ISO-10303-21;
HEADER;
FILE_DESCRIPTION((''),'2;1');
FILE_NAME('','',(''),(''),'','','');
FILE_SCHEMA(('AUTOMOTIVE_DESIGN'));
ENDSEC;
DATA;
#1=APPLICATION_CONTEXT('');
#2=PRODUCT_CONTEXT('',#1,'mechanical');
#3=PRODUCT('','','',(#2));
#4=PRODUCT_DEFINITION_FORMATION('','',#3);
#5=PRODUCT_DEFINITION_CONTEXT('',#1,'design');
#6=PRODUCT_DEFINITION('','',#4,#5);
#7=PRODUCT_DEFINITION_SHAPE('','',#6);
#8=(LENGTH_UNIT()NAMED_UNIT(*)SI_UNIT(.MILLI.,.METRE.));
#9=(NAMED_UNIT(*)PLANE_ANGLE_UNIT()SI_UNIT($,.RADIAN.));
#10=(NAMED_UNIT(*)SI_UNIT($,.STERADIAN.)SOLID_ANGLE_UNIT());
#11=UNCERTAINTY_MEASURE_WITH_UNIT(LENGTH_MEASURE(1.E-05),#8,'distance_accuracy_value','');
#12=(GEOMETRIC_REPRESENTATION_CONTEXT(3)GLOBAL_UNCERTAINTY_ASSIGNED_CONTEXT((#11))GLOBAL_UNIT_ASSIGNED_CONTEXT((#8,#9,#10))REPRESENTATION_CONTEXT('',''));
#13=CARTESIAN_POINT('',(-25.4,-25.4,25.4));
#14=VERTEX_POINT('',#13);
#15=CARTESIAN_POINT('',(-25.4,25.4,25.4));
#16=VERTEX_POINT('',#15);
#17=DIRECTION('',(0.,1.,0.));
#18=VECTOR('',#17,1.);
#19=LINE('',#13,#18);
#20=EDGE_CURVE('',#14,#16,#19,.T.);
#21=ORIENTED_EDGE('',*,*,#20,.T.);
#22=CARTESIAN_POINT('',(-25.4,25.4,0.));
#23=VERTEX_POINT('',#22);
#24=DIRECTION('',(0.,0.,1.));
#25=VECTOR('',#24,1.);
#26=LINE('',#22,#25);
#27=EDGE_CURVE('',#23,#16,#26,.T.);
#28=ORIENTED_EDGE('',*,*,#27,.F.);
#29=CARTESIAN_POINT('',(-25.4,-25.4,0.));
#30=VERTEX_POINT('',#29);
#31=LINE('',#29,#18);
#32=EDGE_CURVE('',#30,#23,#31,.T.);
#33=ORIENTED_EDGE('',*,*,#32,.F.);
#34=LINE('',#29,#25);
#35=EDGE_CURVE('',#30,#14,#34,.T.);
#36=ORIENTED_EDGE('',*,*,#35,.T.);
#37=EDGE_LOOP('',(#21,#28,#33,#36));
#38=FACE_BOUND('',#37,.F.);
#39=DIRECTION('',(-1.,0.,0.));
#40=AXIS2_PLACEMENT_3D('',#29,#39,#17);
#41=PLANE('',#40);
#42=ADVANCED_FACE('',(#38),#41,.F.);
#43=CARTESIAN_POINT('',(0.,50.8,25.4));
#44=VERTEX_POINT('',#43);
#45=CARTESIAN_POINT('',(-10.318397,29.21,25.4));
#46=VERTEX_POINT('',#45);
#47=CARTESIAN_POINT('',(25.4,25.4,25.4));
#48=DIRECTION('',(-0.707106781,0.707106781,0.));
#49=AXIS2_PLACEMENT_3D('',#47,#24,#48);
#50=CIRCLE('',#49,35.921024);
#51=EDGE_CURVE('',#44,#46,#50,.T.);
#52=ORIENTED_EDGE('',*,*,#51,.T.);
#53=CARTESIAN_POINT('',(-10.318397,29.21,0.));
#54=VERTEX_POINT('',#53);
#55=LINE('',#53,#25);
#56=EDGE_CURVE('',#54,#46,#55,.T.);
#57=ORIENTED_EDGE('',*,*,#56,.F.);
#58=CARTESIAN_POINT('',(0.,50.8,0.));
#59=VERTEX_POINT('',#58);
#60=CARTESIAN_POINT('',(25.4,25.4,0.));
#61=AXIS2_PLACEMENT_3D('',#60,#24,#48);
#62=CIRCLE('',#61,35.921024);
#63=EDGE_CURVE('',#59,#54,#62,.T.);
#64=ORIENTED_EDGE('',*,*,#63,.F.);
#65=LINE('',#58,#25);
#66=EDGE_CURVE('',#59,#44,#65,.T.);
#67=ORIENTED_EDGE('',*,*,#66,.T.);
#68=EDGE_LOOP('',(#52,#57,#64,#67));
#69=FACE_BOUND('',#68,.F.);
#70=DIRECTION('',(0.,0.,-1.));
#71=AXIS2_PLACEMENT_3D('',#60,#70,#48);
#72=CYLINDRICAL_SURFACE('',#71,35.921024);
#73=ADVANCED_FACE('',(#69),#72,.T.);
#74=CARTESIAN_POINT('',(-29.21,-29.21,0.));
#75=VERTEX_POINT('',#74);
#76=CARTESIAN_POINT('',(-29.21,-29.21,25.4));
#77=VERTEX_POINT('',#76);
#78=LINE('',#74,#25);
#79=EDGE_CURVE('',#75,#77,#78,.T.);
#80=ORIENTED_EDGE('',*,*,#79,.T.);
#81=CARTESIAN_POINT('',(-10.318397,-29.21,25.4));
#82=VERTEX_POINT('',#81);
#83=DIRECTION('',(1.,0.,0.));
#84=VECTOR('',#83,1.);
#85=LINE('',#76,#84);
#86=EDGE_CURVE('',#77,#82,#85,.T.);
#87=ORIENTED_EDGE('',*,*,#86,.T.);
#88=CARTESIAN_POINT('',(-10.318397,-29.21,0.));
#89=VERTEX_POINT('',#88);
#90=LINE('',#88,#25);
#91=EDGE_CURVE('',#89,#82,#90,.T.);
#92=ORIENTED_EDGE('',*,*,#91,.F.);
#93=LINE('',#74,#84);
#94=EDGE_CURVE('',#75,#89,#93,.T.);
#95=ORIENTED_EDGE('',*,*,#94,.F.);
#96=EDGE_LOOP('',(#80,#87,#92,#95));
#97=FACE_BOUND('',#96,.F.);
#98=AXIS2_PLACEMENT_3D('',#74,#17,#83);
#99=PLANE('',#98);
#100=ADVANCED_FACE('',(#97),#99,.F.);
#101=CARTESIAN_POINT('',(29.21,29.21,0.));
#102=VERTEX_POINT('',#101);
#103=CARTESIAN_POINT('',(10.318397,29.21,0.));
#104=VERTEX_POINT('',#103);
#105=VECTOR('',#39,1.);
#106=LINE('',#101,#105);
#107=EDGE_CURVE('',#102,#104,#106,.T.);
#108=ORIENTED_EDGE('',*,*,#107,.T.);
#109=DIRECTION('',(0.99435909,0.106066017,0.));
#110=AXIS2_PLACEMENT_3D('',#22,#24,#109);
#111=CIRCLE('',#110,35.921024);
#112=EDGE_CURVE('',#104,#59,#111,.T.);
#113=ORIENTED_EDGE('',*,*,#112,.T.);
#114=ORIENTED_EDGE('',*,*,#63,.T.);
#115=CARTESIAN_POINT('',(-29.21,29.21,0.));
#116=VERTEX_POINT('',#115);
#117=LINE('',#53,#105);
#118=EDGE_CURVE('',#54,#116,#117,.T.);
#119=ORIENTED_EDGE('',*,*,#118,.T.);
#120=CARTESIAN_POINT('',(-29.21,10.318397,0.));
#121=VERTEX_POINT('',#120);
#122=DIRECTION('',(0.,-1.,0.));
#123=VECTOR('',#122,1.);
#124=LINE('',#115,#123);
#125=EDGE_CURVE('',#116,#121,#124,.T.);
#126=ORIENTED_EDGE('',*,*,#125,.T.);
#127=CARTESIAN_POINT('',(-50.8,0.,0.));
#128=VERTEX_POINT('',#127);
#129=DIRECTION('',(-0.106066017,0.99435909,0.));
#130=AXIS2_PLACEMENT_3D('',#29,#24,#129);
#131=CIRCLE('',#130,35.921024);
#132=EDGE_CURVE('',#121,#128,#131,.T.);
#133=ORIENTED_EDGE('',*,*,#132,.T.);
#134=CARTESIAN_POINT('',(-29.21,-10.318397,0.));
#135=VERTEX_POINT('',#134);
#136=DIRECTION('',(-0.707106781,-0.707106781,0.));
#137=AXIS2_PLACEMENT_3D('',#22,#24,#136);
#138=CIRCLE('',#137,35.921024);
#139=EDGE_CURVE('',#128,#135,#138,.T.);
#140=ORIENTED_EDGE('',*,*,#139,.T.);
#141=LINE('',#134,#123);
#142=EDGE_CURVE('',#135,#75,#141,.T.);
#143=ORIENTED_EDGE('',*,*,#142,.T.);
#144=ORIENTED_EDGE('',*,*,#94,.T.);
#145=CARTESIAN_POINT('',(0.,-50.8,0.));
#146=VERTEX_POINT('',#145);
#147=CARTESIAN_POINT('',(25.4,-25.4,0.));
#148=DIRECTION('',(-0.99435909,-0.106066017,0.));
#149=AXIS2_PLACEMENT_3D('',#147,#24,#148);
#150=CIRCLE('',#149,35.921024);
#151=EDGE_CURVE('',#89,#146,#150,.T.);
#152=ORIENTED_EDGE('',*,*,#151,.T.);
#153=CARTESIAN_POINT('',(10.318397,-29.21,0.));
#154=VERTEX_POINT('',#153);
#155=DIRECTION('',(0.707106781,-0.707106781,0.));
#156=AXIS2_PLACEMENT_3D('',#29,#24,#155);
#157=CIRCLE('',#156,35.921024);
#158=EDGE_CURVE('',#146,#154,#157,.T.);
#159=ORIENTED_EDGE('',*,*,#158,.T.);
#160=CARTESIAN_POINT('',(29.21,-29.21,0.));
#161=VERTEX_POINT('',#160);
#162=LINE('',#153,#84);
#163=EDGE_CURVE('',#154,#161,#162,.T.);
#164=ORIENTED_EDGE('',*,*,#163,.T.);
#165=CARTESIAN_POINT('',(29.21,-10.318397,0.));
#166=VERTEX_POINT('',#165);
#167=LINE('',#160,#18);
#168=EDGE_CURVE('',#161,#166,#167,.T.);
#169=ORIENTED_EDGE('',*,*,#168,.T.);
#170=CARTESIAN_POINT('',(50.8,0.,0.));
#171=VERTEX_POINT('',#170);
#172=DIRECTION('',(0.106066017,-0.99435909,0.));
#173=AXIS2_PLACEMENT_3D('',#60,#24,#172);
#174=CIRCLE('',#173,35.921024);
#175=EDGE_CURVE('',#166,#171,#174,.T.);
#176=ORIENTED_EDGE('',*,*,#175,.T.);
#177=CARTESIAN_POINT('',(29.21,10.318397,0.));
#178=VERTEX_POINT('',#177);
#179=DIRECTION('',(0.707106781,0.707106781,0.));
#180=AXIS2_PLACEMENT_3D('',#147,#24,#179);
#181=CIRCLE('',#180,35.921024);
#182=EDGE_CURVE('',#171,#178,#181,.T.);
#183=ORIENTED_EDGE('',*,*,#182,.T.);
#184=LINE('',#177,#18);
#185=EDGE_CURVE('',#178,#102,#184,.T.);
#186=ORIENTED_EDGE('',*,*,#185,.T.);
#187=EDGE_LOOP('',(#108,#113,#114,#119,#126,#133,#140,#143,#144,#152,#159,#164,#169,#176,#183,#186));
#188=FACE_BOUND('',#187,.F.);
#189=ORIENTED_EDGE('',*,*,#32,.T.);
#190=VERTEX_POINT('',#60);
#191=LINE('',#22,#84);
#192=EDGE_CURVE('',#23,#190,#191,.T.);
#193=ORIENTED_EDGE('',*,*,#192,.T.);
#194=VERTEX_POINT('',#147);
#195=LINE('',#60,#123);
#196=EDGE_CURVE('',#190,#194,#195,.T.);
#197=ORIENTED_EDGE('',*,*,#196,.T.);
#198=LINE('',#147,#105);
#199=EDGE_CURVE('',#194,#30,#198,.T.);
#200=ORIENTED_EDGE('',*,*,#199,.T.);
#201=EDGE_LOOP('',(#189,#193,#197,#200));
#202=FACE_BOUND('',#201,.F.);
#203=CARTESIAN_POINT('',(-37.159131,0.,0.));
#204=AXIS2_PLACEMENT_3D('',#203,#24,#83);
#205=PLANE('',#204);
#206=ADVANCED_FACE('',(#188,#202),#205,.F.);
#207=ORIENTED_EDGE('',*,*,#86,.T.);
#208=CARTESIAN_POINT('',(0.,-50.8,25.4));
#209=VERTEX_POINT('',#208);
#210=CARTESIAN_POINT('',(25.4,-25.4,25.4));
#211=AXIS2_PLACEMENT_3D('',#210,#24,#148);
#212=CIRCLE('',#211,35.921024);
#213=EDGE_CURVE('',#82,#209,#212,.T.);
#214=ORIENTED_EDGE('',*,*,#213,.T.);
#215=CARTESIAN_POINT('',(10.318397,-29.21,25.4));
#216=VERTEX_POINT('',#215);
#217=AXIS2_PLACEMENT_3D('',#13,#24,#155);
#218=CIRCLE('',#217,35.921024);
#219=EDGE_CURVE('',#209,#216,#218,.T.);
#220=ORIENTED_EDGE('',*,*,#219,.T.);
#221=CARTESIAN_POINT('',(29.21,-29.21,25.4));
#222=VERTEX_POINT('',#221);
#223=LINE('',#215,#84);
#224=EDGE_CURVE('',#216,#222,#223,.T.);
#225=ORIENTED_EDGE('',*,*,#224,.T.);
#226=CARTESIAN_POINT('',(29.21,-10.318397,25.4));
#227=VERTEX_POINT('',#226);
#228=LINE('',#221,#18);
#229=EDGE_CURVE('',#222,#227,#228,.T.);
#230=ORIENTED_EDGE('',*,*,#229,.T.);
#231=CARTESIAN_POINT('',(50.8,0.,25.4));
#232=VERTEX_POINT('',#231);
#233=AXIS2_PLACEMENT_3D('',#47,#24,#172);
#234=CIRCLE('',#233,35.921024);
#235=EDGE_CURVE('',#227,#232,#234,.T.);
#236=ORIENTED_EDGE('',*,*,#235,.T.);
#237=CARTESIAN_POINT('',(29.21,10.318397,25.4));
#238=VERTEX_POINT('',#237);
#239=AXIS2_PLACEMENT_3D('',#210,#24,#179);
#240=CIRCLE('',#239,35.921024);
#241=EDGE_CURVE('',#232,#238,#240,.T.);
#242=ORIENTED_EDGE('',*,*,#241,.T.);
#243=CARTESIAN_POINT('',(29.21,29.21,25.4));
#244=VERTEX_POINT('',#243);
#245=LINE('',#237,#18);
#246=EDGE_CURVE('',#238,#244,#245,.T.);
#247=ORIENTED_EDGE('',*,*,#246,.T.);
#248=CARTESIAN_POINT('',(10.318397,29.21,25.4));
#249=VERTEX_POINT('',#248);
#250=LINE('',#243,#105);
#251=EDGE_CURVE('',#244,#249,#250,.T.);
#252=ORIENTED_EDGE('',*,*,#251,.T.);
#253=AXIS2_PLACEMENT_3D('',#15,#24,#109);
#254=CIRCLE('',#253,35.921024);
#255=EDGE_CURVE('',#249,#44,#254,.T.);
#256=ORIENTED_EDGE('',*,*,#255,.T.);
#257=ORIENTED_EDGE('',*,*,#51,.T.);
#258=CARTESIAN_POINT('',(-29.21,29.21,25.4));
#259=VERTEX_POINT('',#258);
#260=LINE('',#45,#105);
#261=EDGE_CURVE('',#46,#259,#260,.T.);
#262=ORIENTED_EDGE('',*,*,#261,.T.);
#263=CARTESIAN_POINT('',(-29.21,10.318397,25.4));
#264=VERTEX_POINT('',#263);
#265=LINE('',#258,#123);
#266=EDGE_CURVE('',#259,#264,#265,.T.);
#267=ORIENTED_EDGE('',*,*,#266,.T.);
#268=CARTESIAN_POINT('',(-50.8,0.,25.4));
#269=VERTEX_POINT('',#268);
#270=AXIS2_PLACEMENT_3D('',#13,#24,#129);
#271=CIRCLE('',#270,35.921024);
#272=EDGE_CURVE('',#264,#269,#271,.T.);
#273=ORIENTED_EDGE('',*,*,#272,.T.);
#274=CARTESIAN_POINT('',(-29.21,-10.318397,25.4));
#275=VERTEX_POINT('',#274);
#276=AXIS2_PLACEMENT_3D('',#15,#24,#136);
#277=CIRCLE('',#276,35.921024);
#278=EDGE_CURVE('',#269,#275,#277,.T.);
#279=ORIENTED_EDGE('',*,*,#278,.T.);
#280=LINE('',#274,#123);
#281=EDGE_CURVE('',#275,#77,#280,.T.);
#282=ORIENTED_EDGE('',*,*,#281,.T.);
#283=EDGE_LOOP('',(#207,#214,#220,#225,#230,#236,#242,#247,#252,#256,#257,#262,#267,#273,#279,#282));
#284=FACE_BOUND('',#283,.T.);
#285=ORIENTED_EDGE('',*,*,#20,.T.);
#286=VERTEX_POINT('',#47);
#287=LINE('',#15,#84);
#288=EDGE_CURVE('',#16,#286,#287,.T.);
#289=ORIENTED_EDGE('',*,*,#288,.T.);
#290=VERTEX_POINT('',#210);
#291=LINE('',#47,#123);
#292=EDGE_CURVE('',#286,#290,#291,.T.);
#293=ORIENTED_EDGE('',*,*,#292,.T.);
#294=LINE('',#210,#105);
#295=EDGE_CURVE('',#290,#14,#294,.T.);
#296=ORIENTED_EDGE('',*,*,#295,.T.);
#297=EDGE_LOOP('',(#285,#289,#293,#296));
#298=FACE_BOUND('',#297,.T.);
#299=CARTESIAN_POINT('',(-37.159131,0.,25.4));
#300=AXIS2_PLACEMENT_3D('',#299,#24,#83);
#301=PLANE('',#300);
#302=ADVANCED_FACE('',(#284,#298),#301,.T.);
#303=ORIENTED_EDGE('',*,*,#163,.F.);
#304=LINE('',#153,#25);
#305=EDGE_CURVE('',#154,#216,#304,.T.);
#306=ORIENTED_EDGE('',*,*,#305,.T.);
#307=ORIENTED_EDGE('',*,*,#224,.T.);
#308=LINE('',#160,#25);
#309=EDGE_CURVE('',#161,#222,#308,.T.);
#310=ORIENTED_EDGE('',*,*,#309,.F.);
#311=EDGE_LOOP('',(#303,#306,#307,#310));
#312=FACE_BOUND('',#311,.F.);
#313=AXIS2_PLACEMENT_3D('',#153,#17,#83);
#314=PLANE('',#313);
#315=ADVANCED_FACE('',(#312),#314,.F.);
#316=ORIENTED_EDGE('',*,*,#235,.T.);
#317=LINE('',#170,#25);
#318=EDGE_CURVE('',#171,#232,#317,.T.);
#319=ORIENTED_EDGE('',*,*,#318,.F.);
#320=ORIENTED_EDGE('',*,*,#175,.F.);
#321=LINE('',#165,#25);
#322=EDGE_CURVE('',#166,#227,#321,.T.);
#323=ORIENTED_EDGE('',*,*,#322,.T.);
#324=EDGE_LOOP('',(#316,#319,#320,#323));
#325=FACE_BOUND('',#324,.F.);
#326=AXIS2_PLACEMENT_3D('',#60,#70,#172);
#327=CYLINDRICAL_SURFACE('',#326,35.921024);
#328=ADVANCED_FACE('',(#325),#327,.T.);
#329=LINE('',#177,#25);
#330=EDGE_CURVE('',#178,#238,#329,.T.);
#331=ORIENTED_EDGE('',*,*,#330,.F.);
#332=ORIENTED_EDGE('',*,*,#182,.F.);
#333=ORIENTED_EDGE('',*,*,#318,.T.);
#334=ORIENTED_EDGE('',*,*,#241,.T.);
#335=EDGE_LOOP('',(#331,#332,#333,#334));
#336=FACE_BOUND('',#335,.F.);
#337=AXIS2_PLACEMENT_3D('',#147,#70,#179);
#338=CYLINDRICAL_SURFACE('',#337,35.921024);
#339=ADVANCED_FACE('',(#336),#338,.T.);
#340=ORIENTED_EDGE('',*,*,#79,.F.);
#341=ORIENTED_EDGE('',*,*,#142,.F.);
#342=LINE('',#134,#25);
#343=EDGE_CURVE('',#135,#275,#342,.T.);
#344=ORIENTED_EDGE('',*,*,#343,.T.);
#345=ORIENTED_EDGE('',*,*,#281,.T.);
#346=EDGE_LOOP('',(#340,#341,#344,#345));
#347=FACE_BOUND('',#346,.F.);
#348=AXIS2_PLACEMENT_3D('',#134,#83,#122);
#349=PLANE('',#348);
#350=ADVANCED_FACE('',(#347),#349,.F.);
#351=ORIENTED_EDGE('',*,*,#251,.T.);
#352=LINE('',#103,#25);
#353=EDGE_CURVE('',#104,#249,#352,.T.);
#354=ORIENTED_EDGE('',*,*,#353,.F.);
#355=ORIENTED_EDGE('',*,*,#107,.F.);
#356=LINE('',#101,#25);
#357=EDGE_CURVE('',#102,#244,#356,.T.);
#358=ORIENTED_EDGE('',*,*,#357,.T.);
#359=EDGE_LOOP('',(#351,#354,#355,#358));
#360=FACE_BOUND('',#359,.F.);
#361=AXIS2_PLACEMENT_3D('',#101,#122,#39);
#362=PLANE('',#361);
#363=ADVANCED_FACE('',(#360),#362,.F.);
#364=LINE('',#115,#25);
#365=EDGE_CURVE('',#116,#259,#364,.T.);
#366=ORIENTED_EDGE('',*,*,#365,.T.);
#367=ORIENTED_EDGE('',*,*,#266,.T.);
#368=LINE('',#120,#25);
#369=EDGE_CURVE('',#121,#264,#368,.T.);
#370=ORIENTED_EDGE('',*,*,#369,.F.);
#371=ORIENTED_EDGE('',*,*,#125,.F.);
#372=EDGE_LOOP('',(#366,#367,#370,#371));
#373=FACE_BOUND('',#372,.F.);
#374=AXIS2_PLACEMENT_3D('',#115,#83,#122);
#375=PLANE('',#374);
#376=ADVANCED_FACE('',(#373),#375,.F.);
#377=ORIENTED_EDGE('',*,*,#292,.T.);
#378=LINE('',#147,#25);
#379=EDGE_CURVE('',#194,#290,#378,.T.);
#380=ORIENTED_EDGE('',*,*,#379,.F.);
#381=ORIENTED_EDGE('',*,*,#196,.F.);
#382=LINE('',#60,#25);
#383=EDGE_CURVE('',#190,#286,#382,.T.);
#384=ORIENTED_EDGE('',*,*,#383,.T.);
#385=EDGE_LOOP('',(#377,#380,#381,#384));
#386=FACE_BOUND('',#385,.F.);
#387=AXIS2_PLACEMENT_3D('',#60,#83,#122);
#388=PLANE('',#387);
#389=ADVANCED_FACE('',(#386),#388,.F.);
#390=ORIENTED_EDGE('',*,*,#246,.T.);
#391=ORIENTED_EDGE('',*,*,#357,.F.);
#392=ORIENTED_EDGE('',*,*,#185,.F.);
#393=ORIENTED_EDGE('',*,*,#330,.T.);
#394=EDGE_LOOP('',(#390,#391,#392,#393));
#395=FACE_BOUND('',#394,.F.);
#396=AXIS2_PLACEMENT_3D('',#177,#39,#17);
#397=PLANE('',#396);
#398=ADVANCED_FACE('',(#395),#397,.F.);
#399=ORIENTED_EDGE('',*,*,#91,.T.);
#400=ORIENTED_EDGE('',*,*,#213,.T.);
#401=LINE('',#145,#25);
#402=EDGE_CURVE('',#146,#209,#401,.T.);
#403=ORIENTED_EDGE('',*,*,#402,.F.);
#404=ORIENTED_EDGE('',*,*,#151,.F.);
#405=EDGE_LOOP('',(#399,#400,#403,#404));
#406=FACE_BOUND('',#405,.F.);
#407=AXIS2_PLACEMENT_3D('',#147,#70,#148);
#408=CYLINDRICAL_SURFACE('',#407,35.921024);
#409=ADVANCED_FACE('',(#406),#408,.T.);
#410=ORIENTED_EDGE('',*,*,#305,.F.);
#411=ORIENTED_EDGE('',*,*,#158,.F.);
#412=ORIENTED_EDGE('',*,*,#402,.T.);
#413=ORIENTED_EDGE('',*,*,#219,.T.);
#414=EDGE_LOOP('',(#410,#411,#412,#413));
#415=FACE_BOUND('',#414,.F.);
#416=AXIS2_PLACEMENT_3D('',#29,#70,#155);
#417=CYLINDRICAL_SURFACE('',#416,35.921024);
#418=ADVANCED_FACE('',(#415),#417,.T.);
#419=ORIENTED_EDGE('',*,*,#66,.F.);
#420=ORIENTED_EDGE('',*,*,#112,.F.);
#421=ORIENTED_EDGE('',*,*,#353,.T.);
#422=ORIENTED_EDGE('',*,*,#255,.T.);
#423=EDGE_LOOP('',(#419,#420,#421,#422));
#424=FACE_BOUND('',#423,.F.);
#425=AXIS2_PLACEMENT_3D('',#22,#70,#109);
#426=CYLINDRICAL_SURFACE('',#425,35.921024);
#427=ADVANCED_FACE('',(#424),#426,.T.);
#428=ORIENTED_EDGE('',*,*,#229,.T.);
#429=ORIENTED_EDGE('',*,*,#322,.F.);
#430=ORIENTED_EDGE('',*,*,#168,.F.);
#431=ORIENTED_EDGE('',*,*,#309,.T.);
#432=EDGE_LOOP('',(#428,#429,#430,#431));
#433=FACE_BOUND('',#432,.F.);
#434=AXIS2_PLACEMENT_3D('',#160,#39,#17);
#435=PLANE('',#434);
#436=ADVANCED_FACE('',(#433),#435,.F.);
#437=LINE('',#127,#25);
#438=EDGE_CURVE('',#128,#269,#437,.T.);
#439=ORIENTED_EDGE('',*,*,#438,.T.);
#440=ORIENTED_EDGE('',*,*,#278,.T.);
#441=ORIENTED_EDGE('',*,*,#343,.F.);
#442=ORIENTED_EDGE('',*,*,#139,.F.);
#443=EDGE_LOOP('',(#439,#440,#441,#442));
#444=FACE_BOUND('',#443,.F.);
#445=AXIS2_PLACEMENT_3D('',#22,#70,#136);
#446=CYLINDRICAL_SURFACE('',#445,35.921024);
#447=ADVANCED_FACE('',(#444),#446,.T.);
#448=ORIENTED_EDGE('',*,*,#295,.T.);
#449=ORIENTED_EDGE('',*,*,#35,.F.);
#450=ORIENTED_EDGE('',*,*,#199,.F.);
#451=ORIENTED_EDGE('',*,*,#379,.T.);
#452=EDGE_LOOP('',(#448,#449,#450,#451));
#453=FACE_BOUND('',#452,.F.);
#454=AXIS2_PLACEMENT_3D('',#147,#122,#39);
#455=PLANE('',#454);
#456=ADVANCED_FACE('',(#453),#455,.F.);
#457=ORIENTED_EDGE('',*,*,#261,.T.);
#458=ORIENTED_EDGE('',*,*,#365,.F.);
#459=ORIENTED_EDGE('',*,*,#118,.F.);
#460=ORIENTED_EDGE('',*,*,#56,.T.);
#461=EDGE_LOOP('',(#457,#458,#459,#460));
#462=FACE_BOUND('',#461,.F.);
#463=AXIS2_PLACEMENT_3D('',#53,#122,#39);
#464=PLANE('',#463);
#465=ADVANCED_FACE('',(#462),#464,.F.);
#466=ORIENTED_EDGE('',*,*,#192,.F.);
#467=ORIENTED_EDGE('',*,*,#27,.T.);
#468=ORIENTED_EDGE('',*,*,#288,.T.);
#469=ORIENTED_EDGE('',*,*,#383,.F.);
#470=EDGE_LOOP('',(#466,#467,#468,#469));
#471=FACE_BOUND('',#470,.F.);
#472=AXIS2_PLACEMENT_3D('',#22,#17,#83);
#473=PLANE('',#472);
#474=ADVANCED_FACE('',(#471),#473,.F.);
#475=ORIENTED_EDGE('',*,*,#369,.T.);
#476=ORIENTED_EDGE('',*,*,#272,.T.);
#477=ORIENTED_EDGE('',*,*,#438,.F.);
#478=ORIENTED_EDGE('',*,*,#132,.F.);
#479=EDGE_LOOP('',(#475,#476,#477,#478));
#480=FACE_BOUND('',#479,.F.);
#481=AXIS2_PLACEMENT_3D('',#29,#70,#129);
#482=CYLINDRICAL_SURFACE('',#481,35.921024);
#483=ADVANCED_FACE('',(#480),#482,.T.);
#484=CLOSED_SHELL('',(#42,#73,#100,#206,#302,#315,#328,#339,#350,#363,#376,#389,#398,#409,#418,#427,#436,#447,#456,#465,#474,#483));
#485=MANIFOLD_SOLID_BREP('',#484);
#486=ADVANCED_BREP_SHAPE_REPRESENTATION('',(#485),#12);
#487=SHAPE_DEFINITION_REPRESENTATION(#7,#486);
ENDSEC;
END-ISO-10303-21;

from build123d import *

# Parameters (mm, degrees)
F1_DEPTH = 25.4


with BuildPart() as f1:
    # F0 (on Top) → F1 (new body)
    with BuildSketch(Plane.XY):
        with BuildLine():
            ThreePointArc((-29.21, 10.3183972205), (-40.8894594902, 7.0098232747), (-50.8, 0))
            ThreePointArc((-50.8, 0), (-40.8894594902, -7.0098232747), (-29.21, -10.3183972205))
            Line((-29.21, -10.3183972205), (-29.21, 10.3183972205))
        make_face()
        with BuildLine():
            ThreePointArc((10.3183972205, 29.21), (7.0098232747, 40.8894594902), (0, 50.8))
            ThreePointArc((0, 50.8), (-7.0098232747, 40.8894594902), (-10.3183972205, 29.21))
            Line((-10.3183972205, 29.21), (10.3183972205, 29.21))
        make_face()
        with BuildLine():
            ThreePointArc((29.21, -10.3183972205), (40.8894594902, -7.0098232747), (50.8, 0))
            ThreePointArc((50.8, 0), (40.8894594902, 7.0098232747), (29.21, 10.3183972205))
            Line((29.21, 10.3183972205), (29.21, -10.3183972205))
        make_face()
        with BuildLine():
            ThreePointArc((-10.3183972205, -29.21), (-7.0098232747, -40.8894594902), (0, -50.8))
            ThreePointArc((0, -50.8), (7.0098232747, -40.8894594902), (10.3183972205, -29.21))
            Line((10.3183972205, -29.21), (-10.3183972205, -29.21))
        make_face()
        with BuildLine():
            ThreePointArc((-25.4, -10.5210244843), (-27.3076921796, -10.470331899), (-29.21, -10.3183972205))
            Line((-29.21, -10.3183972205), (-29.21, -29.21))
            Line((-29.21, -29.21), (-10.3183972205, -29.21))
            ThreePointArc((-10.3183972205, -29.21), (-10.470331899, -27.3076921796), (-10.5210244843, -25.4))
            Line((-10.5210244843, -25.4), (-25.4, -25.4))
            Line((-25.4, -25.4), (-25.4, -10.5210244843))
        make_face()
        with BuildLine():
            Line((-29.21, 10.3183972205), (-29.21, -10.3183972205))
            ThreePointArc((-29.21, -10.3183972205), (-27.3076921796, -10.470331899), (-25.4, -10.5210244843))
            Line((-25.4, -10.5210244843), (-25.4, 10.5210244843))
            ThreePointArc((-25.4, 10.5210244843), (-27.3076921796, 10.470331899), (-29.21, 10.3183972205))
        make_face()
        with BuildLine():
            ThreePointArc((-10.5210244843, 25.4), (-10.470331899, 27.3076921796), (-10.3183972205, 29.21))
            Line((-10.3183972205, 29.21), (-29.21, 29.21))
            Line((-29.21, 29.21), (-29.21, 10.3183972205))
            ThreePointArc((-29.21, 10.3183972205), (-27.3076921796, 10.470331899), (-25.4, 10.5210244843))
            Line((-25.4, 10.5210244843), (-25.4, 25.4))
            Line((-25.4, 25.4), (-10.5210244843, 25.4))
        make_face()
        with BuildLine():
            Line((10.3183972205, 29.21), (-10.3183972205, 29.21))
            ThreePointArc((-10.3183972205, 29.21), (-10.470331899, 27.3076921796), (-10.5210244843, 25.4))
            Line((-10.5210244843, 25.4), (10.5210244843, 25.4))
            ThreePointArc((10.5210244843, 25.4), (10.470331899, 27.3076921796), (10.3183972205, 29.21))
        make_face()
        with BuildLine():
            Line((29.21, 29.21), (10.3183972205, 29.21))
            ThreePointArc((10.3183972205, 29.21), (10.470331899, 27.3076921796), (10.5210244843, 25.4))
            Line((10.5210244843, 25.4), (25.4, 25.4))
            Line((25.4, 25.4), (25.4, 10.5210244843))
            ThreePointArc((25.4, 10.5210244843), (27.3076921796, 10.470331899), (29.21, 10.3183972205))
            Line((29.21, 10.3183972205), (29.21, 29.21))
        make_face()
        with BuildLine():
            Line((29.21, -29.21), (29.21, -10.3183972205))
            ThreePointArc((29.21, -10.3183972205), (27.3076921796, -10.470331899), (25.4, -10.5210244843))
            Line((25.4, -10.5210244843), (25.4, -25.4))
            Line((25.4, -25.4), (10.5210244843, -25.4))
            ThreePointArc((10.5210244843, -25.4), (10.470331899, -27.3076921796), (10.3183972205, -29.21))
            Line((10.3183972205, -29.21), (29.21, -29.21))
        make_face()
        with BuildLine():
            ThreePointArc((25.4, -10.5210244843), (27.3076921796, -10.470331899), (29.21, -10.3183972205))
            Line((29.21, -10.3183972205), (29.21, 10.3183972205))
            ThreePointArc((29.21, 10.3183972205), (27.3076921796, 10.470331899), (25.4, 10.5210244843))
            Line((25.4, 10.5210244843), (25.4, -10.5210244843))
        make_face()
        with BuildLine():
            Line((-10.3183972205, -29.21), (10.3183972205, -29.21))
            ThreePointArc((10.3183972205, -29.21), (10.470331899, -27.3076921796), (10.5210244843, -25.4))
            Line((10.5210244843, -25.4), (-10.5210244843, -25.4))
            ThreePointArc((-10.5210244843, -25.4), (-10.470331899, -27.3076921796), (-10.3183972205, -29.21))
        make_face()
    extrude(amount=F1_DEPTH)


solid = f1.part
